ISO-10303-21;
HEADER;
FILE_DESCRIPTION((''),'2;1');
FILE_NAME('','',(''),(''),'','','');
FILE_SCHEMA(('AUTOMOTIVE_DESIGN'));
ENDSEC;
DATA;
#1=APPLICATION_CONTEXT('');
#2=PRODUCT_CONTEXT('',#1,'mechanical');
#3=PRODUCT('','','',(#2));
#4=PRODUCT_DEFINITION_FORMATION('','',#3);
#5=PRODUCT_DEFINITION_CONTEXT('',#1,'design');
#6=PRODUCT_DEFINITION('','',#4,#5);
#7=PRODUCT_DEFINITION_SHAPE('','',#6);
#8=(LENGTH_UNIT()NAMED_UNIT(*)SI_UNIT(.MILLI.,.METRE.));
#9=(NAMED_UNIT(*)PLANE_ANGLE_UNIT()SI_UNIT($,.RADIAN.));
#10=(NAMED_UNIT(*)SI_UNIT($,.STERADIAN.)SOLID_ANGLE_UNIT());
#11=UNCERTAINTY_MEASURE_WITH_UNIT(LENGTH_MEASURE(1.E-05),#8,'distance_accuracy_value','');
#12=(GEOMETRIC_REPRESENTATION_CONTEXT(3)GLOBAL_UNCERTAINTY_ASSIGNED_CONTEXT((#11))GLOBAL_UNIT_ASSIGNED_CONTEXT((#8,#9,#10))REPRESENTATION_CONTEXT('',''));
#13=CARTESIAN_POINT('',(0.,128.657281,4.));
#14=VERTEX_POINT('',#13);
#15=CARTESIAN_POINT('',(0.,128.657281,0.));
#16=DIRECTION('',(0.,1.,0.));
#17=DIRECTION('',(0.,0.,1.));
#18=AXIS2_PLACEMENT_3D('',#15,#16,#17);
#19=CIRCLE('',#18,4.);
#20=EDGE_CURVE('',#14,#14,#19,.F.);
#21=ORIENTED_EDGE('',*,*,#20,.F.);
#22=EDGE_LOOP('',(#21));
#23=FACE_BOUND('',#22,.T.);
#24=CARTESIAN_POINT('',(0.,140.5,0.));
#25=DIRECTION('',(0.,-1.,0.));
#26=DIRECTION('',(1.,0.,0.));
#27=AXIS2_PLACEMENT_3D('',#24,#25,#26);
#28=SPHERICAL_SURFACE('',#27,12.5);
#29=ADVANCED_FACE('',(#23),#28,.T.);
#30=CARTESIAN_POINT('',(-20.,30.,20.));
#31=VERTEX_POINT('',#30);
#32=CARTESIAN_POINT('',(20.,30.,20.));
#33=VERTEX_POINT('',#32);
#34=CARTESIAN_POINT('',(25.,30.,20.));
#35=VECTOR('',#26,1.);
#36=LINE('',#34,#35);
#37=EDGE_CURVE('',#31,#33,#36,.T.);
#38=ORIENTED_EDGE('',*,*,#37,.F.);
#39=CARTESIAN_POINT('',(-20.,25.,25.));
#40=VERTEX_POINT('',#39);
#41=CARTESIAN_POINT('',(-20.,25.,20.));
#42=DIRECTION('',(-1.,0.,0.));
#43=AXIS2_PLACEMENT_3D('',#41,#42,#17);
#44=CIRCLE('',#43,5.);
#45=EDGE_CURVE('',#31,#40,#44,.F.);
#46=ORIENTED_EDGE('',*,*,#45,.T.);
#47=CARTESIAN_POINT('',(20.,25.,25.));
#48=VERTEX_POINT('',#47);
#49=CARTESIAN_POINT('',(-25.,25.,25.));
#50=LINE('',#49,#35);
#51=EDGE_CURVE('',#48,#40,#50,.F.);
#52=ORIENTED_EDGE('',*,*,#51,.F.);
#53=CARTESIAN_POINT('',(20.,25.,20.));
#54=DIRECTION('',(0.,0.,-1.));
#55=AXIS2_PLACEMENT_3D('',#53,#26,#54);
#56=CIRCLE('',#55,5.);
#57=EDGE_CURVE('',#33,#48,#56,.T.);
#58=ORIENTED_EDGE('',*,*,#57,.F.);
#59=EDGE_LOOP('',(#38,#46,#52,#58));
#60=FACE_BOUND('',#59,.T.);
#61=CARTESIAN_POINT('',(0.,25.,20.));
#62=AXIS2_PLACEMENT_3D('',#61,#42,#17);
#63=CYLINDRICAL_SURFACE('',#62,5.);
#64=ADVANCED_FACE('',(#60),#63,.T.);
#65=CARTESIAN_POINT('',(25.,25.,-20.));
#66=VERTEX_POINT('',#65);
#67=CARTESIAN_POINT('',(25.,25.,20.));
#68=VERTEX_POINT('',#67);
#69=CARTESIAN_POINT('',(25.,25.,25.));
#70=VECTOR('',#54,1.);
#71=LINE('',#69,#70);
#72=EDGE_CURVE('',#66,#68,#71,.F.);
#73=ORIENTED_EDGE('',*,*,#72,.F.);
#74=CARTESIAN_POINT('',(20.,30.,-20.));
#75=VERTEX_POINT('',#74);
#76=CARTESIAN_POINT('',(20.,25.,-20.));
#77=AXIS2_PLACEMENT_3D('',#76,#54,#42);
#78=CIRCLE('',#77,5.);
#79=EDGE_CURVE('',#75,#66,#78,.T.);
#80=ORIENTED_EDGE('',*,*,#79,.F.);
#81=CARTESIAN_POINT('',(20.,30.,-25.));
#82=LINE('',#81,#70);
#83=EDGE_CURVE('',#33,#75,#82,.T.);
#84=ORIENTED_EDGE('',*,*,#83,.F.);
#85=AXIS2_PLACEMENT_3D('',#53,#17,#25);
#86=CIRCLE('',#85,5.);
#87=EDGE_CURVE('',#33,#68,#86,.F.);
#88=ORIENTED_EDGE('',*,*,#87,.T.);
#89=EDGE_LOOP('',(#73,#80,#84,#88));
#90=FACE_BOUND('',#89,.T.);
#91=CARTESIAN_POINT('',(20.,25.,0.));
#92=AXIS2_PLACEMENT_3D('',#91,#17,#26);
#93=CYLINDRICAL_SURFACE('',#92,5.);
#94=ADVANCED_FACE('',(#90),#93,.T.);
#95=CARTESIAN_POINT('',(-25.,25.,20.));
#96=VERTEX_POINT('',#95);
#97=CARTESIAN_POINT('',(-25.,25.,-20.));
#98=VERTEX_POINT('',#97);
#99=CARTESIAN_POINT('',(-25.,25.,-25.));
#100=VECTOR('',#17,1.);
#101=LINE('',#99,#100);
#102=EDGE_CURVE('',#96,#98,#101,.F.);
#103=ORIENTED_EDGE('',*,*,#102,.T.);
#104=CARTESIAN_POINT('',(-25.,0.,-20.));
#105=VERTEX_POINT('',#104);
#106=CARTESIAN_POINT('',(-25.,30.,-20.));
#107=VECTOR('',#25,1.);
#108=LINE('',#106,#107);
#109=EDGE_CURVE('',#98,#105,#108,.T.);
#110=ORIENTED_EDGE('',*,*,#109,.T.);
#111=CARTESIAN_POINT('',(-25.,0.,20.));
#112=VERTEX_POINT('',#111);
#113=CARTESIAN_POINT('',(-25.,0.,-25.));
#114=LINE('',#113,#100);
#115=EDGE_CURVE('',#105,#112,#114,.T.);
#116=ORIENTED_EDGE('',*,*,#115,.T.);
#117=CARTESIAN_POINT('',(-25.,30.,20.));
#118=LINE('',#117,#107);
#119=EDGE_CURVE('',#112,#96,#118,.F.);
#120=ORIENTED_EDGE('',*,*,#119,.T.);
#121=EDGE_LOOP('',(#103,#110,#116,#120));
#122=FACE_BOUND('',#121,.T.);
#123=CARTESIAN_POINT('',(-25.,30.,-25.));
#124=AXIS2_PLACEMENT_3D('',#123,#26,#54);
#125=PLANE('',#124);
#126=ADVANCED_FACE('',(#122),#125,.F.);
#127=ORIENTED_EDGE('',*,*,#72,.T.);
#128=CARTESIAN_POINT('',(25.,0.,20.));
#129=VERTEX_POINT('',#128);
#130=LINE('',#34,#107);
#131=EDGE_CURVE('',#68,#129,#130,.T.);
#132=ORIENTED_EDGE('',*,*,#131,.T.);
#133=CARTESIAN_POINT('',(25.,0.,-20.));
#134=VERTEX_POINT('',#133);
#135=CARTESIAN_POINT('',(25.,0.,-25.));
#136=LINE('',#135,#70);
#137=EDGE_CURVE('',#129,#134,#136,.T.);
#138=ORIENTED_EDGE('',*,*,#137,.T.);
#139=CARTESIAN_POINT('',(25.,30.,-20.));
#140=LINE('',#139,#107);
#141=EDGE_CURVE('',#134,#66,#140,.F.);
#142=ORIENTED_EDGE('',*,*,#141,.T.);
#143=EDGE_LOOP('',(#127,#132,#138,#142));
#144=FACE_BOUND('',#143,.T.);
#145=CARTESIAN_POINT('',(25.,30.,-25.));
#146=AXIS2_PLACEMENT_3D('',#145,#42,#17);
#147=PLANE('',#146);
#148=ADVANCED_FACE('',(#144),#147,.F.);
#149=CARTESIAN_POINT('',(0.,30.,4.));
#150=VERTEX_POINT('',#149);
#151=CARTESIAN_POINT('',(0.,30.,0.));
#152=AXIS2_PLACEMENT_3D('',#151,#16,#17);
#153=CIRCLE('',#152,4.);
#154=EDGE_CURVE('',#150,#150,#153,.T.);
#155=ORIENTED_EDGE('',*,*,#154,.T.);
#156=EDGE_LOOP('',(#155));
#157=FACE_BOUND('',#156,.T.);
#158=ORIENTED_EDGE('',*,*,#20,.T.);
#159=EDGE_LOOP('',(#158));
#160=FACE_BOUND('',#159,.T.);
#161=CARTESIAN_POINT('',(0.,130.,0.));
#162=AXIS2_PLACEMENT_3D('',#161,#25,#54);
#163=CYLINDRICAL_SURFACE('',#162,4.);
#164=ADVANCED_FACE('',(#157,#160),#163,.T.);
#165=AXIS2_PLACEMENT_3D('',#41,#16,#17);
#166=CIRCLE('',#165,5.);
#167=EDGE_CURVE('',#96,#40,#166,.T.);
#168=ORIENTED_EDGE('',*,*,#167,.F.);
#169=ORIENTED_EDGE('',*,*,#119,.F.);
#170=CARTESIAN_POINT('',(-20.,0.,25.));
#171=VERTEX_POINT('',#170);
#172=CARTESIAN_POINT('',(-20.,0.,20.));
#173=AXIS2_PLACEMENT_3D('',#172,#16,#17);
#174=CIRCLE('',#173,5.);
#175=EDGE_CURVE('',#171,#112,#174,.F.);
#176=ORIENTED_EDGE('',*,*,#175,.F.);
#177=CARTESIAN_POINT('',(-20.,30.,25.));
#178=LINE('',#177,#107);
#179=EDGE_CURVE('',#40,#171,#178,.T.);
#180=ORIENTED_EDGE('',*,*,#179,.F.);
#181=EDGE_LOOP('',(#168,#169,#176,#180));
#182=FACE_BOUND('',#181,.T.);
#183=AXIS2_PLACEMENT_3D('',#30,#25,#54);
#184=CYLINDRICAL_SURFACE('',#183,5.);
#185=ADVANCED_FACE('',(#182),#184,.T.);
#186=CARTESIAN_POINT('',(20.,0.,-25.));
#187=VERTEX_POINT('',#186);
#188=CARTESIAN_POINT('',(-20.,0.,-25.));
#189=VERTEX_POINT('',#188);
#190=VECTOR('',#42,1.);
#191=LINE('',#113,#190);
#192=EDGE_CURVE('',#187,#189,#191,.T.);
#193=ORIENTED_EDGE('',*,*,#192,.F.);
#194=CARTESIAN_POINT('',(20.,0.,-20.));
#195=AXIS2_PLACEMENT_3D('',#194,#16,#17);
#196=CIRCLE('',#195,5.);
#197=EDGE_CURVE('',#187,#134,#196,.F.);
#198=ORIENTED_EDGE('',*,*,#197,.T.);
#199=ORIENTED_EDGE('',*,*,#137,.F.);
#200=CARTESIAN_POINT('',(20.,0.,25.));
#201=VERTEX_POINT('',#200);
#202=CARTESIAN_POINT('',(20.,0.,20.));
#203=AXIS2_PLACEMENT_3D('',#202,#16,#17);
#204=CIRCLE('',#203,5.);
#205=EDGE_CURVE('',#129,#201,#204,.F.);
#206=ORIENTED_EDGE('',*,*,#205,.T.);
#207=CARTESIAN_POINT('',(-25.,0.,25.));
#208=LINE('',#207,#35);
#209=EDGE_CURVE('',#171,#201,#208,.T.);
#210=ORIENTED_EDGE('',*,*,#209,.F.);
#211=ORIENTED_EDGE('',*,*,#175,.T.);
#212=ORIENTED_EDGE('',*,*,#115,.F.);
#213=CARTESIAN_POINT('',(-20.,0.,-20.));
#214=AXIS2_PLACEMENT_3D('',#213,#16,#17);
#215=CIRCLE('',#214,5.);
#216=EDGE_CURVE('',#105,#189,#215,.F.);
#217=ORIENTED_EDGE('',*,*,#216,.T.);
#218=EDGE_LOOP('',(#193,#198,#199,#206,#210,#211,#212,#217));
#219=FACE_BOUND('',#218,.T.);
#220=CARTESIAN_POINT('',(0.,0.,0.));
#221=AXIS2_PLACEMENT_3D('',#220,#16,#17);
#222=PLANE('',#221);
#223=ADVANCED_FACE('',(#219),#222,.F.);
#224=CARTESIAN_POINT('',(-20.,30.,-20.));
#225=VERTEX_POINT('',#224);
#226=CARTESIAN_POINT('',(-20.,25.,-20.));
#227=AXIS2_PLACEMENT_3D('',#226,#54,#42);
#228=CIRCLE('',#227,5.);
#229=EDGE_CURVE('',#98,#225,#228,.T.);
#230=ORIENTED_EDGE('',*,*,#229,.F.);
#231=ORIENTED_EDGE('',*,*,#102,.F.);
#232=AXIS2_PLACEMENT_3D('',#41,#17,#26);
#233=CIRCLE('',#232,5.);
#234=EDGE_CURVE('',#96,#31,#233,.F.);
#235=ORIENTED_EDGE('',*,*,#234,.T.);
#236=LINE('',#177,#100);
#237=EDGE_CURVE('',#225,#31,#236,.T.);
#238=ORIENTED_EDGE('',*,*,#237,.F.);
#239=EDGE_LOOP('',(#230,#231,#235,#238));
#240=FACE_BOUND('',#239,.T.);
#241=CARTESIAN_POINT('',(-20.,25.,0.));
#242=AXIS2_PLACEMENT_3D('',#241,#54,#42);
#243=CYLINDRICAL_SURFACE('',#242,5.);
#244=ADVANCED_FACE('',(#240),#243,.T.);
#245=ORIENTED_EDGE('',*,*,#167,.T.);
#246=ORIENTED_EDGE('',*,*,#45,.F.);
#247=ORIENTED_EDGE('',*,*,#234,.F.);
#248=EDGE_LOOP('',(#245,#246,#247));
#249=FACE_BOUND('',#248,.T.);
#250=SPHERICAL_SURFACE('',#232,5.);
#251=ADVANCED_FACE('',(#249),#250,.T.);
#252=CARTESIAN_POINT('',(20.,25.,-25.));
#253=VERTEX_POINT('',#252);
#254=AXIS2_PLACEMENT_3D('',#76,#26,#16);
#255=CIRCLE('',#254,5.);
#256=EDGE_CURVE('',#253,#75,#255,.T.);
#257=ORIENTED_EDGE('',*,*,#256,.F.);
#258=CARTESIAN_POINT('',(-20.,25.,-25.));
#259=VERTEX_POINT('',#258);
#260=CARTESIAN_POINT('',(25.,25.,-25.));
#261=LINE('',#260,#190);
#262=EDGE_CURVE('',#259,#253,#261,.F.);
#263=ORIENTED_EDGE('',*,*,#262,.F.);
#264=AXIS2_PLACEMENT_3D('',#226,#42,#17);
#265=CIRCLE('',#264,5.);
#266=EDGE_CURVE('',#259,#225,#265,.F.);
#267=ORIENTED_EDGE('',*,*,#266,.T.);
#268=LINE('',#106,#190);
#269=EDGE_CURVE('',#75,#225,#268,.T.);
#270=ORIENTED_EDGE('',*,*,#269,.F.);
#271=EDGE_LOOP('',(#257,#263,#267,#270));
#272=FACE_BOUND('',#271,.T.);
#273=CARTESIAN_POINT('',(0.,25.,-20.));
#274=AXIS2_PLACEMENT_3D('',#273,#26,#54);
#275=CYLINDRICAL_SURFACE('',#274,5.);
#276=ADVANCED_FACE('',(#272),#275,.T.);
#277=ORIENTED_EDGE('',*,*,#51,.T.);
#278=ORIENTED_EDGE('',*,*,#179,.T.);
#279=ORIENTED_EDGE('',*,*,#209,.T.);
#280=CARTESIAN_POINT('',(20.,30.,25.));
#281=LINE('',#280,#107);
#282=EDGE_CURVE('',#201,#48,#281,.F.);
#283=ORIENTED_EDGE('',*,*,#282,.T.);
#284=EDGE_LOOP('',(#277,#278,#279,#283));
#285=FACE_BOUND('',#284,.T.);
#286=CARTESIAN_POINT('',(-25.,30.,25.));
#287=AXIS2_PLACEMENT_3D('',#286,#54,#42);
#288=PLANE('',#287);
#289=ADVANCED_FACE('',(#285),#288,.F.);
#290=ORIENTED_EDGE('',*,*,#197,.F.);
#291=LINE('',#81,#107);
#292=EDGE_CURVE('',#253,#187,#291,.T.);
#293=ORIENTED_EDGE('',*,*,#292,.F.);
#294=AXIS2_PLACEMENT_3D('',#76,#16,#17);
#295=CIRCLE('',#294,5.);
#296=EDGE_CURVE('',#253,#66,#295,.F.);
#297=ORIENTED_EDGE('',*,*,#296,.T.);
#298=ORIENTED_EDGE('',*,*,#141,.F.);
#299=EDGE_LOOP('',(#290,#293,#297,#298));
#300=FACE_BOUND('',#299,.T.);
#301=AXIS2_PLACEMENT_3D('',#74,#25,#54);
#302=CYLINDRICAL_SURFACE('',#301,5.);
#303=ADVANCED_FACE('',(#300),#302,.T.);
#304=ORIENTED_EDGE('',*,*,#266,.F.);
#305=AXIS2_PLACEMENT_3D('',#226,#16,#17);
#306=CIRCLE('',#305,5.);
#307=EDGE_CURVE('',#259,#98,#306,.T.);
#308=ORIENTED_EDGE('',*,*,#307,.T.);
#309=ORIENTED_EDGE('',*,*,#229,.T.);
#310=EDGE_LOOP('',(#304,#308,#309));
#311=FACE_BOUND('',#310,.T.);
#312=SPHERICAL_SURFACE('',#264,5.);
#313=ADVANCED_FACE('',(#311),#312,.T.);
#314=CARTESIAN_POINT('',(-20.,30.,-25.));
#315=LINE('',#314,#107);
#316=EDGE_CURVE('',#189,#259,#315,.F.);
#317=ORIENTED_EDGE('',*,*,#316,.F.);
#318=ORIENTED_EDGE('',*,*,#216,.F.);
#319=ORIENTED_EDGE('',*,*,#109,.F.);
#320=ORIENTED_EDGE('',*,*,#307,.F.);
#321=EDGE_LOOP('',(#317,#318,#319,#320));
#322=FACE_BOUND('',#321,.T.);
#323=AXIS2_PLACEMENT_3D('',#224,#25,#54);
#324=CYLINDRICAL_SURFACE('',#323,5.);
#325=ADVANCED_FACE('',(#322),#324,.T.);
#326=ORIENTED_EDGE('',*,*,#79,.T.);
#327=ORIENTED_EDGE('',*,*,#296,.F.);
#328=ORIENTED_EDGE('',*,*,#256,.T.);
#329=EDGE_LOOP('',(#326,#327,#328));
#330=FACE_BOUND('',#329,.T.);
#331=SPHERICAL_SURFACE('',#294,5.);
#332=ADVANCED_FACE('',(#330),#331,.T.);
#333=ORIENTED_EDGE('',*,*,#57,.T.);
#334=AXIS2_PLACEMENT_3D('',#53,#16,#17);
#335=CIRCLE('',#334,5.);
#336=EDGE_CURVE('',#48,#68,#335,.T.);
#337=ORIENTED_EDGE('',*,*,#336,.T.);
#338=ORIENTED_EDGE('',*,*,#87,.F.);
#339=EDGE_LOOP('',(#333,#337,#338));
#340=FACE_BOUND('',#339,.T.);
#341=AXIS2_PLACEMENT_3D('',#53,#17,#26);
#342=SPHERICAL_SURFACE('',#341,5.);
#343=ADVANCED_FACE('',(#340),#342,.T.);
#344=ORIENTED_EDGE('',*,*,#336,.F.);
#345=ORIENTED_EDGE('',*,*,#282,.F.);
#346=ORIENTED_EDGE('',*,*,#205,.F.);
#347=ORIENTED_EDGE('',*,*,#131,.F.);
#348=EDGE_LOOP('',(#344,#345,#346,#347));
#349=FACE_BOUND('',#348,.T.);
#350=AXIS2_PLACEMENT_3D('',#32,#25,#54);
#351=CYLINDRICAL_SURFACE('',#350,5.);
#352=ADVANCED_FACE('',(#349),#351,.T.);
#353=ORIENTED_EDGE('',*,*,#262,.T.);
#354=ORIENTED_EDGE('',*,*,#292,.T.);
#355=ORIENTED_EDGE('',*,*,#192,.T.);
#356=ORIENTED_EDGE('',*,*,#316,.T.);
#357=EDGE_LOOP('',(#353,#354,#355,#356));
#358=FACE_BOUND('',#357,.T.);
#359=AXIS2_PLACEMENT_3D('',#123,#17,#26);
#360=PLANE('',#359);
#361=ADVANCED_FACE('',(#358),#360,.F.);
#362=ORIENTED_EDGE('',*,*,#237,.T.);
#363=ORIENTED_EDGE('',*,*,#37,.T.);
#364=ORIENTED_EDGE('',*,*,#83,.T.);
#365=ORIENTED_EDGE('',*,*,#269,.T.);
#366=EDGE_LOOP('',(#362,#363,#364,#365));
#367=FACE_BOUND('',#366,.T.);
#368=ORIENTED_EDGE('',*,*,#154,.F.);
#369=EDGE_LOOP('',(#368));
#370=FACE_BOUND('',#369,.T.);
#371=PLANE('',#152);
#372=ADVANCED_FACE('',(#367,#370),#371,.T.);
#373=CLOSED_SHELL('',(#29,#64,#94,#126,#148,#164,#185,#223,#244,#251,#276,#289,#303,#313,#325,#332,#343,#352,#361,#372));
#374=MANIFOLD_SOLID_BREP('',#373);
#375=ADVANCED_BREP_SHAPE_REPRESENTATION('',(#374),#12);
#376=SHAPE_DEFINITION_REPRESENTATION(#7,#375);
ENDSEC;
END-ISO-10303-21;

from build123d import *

# Parameters (mm, degrees)
SKETCH_1_W      = 50
SKETCH_1_H      = 50
EXTRUDE_1_DEPTH = 30
FILLET_1_R      = 5
SKETCH_2_R      = 4
EXTRUDE_2_DEPTH = 100


with BuildPart() as part:
    # 草图1 → 凸台-拉伸1 (new body)
    with BuildSketch(Plane(origin=(0, 0, 0), x_dir=(1, 0, 0), z_dir=(0, 1, 0))):
        Rectangle(SKETCH_1_W, SKETCH_1_H)
    extrude(amount=EXTRUDE_1_DEPTH)

    # 圆角1
    fillet_1_edges = [part.edges().sort_by_distance(p)[0] for p in [
        (25, 30, 0),
        (0, 30, -25),
        (-25, 30, 0),
        (-25, 15, -25),
        (25, 15, -25),
        (25, 15, 25),
        (-25, 15, 25),
        (0, 30, 25),
    ]]
    fillet(fillet_1_edges, radius=FILLET_1_R)

    # 草图2 → 凸台-拉伸2 (add)
    with BuildSketch(Plane(origin=(0, 30, 0), x_dir=(1, 0, 0), z_dir=(0, 1, 0))):
        with Locations(Location((0, 0, 0), (0, 0, 270))):
            Circle(SKETCH_2_R)
    extrude(amount=EXTRUDE_2_DEPTH)

    # 草图3 → 旋转1 (revolve)
    with BuildSketch(Plane.XY):
        with BuildLine():
            Line((0, 130), (0, 128))
            ThreePointArc((0, 128), (12.5, 140.5), (0, 153))
            Line((0, 153), (0, 130))
        make_face()
    revolve(axis=Axis((0, 130, 0), (0, 1, 0)))


solid = part.part
